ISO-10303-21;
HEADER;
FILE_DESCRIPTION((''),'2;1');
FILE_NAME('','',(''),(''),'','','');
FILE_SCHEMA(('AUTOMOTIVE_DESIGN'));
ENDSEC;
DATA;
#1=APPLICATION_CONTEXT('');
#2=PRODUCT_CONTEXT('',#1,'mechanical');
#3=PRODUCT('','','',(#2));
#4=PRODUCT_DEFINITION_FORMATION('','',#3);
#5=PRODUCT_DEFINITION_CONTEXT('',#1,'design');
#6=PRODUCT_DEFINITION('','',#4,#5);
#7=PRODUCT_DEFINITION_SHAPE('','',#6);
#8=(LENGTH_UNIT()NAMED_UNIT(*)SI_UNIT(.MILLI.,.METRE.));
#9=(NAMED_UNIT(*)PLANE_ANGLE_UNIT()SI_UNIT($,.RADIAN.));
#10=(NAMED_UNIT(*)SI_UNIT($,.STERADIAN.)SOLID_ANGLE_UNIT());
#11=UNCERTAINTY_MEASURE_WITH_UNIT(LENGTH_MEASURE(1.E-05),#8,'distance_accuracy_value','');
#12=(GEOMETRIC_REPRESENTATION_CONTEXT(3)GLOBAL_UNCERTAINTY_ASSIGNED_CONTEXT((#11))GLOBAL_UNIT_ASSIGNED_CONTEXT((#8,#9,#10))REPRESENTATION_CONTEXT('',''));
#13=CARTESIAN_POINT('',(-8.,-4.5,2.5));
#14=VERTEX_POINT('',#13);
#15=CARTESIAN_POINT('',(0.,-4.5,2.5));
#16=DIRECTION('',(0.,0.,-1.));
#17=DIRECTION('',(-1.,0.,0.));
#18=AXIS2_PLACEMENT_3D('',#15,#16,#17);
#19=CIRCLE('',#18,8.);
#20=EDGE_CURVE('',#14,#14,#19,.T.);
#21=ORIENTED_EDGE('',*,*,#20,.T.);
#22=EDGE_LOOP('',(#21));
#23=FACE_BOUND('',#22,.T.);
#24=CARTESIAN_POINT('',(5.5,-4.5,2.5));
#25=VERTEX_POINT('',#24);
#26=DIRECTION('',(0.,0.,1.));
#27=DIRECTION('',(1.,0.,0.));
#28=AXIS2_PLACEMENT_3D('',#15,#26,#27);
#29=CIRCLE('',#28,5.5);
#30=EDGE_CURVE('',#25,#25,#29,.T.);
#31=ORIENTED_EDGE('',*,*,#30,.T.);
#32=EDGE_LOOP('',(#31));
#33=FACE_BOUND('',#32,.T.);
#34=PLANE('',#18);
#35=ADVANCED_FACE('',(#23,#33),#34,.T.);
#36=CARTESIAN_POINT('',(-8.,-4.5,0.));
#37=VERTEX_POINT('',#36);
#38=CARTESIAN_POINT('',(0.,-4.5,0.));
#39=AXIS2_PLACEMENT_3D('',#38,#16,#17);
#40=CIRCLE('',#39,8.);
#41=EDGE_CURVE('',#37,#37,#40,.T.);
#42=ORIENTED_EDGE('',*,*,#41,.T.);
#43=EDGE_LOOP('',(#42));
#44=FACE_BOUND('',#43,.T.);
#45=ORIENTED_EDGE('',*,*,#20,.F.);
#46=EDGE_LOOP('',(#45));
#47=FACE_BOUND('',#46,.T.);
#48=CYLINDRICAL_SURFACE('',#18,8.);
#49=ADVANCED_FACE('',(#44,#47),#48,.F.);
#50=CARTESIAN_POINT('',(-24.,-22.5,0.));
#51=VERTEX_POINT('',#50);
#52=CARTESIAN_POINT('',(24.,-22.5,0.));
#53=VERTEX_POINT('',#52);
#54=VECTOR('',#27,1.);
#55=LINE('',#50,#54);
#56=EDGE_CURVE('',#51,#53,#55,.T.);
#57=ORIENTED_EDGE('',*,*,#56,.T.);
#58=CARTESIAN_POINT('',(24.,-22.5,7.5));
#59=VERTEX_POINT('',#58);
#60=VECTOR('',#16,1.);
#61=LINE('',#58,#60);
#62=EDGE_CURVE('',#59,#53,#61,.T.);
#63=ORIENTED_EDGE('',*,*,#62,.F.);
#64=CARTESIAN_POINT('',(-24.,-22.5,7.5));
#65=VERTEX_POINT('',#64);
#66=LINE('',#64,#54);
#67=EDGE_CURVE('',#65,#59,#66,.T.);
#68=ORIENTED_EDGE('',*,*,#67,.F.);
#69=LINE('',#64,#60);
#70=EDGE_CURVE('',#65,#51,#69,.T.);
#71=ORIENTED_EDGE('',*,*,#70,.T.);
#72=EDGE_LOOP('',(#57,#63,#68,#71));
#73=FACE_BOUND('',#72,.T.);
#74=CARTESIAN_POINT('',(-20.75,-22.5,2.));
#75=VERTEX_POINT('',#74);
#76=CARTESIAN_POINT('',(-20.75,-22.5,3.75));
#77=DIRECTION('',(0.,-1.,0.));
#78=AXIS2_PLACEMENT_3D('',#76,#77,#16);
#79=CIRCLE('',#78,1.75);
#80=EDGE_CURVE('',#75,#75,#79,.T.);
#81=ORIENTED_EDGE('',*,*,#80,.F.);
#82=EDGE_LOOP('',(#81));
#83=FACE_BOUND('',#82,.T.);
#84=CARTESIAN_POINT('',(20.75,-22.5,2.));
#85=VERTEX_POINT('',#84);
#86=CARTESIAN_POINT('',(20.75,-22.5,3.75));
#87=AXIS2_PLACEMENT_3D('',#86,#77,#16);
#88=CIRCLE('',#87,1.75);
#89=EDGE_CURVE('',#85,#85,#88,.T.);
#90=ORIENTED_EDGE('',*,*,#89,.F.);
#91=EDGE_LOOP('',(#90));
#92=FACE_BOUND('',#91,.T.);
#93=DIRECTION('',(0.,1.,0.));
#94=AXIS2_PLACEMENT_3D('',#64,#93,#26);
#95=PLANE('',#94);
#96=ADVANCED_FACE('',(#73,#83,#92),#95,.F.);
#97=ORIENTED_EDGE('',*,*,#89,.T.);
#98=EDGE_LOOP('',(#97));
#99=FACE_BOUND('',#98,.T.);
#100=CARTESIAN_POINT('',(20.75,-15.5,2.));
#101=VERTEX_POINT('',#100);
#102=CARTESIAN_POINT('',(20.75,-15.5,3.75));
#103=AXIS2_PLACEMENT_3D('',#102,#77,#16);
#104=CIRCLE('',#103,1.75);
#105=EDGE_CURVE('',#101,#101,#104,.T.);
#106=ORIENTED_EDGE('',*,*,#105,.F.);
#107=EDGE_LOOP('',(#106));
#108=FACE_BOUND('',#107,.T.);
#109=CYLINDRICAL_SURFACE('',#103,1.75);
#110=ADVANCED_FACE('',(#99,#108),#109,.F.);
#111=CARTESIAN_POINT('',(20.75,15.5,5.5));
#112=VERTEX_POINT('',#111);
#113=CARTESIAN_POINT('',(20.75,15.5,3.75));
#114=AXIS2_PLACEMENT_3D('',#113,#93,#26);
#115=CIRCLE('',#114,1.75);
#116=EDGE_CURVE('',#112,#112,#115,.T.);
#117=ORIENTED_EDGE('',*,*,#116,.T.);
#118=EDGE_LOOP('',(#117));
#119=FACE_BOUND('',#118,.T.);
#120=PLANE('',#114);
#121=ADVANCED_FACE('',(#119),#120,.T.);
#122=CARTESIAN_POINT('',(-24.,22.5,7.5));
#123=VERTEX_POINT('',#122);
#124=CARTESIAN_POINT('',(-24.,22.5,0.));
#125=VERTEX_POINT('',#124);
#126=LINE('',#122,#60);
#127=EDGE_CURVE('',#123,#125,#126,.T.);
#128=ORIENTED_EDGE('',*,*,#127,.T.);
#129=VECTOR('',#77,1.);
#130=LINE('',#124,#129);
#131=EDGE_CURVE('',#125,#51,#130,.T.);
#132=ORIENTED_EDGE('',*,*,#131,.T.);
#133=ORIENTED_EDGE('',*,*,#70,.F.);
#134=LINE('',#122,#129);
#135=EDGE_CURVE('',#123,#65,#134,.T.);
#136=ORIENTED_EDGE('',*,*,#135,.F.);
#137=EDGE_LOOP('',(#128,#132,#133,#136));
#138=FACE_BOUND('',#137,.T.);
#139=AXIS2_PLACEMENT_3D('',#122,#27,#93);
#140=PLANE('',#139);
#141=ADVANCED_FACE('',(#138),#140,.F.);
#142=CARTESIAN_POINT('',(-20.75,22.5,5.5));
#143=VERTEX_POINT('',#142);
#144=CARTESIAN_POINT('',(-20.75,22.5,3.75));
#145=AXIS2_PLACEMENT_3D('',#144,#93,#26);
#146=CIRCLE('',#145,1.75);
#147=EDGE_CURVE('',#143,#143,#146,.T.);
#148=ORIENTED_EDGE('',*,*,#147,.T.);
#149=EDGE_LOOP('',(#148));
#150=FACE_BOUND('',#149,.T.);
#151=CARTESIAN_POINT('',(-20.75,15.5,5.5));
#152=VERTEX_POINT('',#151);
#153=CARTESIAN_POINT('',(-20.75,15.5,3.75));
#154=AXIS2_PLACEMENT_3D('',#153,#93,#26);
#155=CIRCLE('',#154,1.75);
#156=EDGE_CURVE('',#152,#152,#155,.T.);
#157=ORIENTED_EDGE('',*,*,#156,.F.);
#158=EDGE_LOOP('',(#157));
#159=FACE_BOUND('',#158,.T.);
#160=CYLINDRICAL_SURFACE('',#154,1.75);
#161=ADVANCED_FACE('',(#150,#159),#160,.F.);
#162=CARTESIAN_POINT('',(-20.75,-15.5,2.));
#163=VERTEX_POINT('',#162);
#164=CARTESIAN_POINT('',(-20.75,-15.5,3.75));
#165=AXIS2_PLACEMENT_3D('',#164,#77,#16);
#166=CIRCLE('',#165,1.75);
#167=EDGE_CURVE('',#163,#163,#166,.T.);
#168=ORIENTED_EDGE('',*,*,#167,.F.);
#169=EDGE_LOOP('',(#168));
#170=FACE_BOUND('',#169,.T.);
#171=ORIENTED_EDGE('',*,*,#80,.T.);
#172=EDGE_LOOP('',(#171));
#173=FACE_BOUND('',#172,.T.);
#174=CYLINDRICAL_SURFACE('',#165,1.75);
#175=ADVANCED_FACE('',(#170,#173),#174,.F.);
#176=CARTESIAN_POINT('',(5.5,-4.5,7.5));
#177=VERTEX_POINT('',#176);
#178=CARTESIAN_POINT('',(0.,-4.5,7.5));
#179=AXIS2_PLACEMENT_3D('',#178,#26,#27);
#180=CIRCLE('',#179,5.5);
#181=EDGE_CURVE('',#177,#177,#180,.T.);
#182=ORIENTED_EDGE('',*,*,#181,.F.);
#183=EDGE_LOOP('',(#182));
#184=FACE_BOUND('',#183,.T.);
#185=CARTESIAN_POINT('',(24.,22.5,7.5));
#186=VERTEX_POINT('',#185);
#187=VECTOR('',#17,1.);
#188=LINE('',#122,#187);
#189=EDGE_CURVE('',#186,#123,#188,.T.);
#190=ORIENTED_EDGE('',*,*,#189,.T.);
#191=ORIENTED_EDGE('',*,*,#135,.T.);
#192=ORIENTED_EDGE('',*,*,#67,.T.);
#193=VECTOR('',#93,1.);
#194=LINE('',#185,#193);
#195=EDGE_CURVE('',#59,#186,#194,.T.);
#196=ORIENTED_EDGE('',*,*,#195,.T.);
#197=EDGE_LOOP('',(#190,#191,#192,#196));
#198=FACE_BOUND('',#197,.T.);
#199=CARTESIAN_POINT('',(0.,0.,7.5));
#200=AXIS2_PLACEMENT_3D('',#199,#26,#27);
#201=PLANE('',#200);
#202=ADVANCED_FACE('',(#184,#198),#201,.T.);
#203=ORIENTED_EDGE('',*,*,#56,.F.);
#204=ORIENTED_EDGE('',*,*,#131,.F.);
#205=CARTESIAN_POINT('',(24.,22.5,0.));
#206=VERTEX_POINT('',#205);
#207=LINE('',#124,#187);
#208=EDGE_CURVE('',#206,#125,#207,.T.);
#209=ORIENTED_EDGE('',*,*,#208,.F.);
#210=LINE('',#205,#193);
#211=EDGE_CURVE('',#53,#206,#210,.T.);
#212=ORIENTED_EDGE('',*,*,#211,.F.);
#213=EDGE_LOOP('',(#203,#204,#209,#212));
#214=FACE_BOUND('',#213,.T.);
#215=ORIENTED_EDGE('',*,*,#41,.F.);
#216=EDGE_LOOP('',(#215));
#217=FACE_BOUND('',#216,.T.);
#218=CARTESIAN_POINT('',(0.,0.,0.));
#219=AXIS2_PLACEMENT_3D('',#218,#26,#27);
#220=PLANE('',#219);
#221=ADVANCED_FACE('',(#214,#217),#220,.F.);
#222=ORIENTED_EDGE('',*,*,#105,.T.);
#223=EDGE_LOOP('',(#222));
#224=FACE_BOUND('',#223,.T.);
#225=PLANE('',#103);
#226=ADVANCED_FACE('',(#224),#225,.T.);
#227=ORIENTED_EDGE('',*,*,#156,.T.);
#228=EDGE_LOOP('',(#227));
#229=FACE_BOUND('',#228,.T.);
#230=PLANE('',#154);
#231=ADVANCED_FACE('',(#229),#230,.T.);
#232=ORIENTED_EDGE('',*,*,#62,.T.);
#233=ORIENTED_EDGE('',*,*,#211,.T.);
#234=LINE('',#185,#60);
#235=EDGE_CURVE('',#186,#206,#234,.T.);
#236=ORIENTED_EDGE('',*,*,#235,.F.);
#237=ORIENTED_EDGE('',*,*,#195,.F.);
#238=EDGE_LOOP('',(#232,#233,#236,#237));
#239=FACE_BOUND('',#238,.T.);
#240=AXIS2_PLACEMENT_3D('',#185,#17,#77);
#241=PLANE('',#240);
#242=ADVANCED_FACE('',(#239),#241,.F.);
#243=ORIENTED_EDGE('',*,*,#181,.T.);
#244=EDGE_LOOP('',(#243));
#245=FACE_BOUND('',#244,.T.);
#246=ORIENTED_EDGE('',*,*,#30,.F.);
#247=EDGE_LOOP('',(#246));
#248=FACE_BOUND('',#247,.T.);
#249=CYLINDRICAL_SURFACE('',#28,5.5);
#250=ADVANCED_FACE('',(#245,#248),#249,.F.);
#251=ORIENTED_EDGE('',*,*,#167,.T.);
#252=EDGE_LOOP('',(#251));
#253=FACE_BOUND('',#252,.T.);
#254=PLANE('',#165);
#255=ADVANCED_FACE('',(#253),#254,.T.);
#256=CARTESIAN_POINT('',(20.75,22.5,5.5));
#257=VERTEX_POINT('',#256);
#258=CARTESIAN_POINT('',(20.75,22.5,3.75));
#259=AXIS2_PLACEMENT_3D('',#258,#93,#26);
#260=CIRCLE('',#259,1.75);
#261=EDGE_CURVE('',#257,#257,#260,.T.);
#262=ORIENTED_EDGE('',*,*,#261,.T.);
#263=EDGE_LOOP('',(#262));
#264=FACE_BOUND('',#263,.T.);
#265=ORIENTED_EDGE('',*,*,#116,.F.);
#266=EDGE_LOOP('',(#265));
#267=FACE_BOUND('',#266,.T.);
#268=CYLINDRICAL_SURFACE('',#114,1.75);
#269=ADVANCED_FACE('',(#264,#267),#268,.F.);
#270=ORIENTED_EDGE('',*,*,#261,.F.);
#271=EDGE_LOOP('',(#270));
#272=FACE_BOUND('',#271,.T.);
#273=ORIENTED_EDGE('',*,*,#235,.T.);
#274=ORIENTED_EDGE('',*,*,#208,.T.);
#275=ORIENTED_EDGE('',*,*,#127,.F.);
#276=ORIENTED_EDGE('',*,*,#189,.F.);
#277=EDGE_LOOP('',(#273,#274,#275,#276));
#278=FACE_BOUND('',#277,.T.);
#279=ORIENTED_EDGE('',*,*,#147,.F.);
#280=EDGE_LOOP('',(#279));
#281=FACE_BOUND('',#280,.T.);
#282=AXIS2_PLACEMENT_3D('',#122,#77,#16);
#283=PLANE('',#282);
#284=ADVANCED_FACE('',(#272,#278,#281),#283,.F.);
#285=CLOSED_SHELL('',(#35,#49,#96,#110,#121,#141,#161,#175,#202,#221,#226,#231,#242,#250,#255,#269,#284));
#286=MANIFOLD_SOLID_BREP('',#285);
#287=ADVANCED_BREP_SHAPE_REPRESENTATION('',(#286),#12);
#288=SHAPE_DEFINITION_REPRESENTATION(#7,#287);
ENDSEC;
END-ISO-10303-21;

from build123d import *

# Parameters (mm, degrees)
ESQUISSE1_W             = 48
ESQUISSE1_H             = 45
BOSS_EXTRU_1_DEPTH      = 7.5
ESQUISSE2_R             = 1.75
ENL_V_MAT_EXTRU_1_DEPTH = 7
ESQUISSE3_R             = 1.75
ENL_V_MAT_EXTRU_2_DEPTH = 7
ESQUISSE5_R             = 5.5
ENL_V_MAT_EXTRU_3_DEPTH = 5
ESQUISSE4_R             = 8
ENL_V_MAT_EXTRU_4_DEPTH = 2.5


with BuildPart() as part:
    # Esquisse1 → Boss.-Extru.1 (new body)
    with BuildSketch(Plane.XY):
        Rectangle(ESQUISSE1_W, ESQUISSE1_H)
    extrude(amount=BOSS_EXTRU_1_DEPTH)

    # Esquisse2 → Enlèv. mat.-Extru.1 (cut)
    with BuildSketch(Plane.XZ.offset(22.5)):
        with Locations((-20.75, 3.75)):
            Circle(ESQUISSE2_R)
        with Locations((20.75, 3.75)):
            Circle(ESQUISSE2_R)
    extrude(amount=-ENL_V_MAT_EXTRU_1_DEPTH, mode=Mode.SUBTRACT)

    # Esquisse3 → Enlèv. mat.-Extru.2 (cut)
    with BuildSketch(Plane(origin=(0, 22.5, 0), x_dir=(1, 0, 0), z_dir=(0, 1, 0))):
        with Locations((-20.75, -3.75)):
            Circle(ESQUISSE3_R)
        with Locations((20.75, -3.75)):
            Circle(ESQUISSE3_R)
    extrude(amount=-ENL_V_MAT_EXTRU_2_DEPTH, mode=Mode.SUBTRACT)

    # Esquisse5 → Enlèv. mat.-Extru.3 (cut)
    with BuildSketch(Plane.XY.offset(7.5)):
        with Locations((0, -4.5)):
            Circle(ESQUISSE5_R)
    extrude(amount=-ENL_V_MAT_EXTRU_3_DEPTH, mode=Mode.SUBTRACT)

    # Esquisse4 → Enlèv. mat.-Extru.4 (cut)
    with BuildSketch(Plane(origin=(0, 0, 0), x_dir=(-1, 0, 0), z_dir=(0, 0, -1))):
        with Locations((0, -4.5)):
            Circle(ESQUISSE4_R)
    extrude(amount=-ENL_V_MAT_EXTRU_4_DEPTH, mode=Mode.SUBTRACT)


solid = part.part
